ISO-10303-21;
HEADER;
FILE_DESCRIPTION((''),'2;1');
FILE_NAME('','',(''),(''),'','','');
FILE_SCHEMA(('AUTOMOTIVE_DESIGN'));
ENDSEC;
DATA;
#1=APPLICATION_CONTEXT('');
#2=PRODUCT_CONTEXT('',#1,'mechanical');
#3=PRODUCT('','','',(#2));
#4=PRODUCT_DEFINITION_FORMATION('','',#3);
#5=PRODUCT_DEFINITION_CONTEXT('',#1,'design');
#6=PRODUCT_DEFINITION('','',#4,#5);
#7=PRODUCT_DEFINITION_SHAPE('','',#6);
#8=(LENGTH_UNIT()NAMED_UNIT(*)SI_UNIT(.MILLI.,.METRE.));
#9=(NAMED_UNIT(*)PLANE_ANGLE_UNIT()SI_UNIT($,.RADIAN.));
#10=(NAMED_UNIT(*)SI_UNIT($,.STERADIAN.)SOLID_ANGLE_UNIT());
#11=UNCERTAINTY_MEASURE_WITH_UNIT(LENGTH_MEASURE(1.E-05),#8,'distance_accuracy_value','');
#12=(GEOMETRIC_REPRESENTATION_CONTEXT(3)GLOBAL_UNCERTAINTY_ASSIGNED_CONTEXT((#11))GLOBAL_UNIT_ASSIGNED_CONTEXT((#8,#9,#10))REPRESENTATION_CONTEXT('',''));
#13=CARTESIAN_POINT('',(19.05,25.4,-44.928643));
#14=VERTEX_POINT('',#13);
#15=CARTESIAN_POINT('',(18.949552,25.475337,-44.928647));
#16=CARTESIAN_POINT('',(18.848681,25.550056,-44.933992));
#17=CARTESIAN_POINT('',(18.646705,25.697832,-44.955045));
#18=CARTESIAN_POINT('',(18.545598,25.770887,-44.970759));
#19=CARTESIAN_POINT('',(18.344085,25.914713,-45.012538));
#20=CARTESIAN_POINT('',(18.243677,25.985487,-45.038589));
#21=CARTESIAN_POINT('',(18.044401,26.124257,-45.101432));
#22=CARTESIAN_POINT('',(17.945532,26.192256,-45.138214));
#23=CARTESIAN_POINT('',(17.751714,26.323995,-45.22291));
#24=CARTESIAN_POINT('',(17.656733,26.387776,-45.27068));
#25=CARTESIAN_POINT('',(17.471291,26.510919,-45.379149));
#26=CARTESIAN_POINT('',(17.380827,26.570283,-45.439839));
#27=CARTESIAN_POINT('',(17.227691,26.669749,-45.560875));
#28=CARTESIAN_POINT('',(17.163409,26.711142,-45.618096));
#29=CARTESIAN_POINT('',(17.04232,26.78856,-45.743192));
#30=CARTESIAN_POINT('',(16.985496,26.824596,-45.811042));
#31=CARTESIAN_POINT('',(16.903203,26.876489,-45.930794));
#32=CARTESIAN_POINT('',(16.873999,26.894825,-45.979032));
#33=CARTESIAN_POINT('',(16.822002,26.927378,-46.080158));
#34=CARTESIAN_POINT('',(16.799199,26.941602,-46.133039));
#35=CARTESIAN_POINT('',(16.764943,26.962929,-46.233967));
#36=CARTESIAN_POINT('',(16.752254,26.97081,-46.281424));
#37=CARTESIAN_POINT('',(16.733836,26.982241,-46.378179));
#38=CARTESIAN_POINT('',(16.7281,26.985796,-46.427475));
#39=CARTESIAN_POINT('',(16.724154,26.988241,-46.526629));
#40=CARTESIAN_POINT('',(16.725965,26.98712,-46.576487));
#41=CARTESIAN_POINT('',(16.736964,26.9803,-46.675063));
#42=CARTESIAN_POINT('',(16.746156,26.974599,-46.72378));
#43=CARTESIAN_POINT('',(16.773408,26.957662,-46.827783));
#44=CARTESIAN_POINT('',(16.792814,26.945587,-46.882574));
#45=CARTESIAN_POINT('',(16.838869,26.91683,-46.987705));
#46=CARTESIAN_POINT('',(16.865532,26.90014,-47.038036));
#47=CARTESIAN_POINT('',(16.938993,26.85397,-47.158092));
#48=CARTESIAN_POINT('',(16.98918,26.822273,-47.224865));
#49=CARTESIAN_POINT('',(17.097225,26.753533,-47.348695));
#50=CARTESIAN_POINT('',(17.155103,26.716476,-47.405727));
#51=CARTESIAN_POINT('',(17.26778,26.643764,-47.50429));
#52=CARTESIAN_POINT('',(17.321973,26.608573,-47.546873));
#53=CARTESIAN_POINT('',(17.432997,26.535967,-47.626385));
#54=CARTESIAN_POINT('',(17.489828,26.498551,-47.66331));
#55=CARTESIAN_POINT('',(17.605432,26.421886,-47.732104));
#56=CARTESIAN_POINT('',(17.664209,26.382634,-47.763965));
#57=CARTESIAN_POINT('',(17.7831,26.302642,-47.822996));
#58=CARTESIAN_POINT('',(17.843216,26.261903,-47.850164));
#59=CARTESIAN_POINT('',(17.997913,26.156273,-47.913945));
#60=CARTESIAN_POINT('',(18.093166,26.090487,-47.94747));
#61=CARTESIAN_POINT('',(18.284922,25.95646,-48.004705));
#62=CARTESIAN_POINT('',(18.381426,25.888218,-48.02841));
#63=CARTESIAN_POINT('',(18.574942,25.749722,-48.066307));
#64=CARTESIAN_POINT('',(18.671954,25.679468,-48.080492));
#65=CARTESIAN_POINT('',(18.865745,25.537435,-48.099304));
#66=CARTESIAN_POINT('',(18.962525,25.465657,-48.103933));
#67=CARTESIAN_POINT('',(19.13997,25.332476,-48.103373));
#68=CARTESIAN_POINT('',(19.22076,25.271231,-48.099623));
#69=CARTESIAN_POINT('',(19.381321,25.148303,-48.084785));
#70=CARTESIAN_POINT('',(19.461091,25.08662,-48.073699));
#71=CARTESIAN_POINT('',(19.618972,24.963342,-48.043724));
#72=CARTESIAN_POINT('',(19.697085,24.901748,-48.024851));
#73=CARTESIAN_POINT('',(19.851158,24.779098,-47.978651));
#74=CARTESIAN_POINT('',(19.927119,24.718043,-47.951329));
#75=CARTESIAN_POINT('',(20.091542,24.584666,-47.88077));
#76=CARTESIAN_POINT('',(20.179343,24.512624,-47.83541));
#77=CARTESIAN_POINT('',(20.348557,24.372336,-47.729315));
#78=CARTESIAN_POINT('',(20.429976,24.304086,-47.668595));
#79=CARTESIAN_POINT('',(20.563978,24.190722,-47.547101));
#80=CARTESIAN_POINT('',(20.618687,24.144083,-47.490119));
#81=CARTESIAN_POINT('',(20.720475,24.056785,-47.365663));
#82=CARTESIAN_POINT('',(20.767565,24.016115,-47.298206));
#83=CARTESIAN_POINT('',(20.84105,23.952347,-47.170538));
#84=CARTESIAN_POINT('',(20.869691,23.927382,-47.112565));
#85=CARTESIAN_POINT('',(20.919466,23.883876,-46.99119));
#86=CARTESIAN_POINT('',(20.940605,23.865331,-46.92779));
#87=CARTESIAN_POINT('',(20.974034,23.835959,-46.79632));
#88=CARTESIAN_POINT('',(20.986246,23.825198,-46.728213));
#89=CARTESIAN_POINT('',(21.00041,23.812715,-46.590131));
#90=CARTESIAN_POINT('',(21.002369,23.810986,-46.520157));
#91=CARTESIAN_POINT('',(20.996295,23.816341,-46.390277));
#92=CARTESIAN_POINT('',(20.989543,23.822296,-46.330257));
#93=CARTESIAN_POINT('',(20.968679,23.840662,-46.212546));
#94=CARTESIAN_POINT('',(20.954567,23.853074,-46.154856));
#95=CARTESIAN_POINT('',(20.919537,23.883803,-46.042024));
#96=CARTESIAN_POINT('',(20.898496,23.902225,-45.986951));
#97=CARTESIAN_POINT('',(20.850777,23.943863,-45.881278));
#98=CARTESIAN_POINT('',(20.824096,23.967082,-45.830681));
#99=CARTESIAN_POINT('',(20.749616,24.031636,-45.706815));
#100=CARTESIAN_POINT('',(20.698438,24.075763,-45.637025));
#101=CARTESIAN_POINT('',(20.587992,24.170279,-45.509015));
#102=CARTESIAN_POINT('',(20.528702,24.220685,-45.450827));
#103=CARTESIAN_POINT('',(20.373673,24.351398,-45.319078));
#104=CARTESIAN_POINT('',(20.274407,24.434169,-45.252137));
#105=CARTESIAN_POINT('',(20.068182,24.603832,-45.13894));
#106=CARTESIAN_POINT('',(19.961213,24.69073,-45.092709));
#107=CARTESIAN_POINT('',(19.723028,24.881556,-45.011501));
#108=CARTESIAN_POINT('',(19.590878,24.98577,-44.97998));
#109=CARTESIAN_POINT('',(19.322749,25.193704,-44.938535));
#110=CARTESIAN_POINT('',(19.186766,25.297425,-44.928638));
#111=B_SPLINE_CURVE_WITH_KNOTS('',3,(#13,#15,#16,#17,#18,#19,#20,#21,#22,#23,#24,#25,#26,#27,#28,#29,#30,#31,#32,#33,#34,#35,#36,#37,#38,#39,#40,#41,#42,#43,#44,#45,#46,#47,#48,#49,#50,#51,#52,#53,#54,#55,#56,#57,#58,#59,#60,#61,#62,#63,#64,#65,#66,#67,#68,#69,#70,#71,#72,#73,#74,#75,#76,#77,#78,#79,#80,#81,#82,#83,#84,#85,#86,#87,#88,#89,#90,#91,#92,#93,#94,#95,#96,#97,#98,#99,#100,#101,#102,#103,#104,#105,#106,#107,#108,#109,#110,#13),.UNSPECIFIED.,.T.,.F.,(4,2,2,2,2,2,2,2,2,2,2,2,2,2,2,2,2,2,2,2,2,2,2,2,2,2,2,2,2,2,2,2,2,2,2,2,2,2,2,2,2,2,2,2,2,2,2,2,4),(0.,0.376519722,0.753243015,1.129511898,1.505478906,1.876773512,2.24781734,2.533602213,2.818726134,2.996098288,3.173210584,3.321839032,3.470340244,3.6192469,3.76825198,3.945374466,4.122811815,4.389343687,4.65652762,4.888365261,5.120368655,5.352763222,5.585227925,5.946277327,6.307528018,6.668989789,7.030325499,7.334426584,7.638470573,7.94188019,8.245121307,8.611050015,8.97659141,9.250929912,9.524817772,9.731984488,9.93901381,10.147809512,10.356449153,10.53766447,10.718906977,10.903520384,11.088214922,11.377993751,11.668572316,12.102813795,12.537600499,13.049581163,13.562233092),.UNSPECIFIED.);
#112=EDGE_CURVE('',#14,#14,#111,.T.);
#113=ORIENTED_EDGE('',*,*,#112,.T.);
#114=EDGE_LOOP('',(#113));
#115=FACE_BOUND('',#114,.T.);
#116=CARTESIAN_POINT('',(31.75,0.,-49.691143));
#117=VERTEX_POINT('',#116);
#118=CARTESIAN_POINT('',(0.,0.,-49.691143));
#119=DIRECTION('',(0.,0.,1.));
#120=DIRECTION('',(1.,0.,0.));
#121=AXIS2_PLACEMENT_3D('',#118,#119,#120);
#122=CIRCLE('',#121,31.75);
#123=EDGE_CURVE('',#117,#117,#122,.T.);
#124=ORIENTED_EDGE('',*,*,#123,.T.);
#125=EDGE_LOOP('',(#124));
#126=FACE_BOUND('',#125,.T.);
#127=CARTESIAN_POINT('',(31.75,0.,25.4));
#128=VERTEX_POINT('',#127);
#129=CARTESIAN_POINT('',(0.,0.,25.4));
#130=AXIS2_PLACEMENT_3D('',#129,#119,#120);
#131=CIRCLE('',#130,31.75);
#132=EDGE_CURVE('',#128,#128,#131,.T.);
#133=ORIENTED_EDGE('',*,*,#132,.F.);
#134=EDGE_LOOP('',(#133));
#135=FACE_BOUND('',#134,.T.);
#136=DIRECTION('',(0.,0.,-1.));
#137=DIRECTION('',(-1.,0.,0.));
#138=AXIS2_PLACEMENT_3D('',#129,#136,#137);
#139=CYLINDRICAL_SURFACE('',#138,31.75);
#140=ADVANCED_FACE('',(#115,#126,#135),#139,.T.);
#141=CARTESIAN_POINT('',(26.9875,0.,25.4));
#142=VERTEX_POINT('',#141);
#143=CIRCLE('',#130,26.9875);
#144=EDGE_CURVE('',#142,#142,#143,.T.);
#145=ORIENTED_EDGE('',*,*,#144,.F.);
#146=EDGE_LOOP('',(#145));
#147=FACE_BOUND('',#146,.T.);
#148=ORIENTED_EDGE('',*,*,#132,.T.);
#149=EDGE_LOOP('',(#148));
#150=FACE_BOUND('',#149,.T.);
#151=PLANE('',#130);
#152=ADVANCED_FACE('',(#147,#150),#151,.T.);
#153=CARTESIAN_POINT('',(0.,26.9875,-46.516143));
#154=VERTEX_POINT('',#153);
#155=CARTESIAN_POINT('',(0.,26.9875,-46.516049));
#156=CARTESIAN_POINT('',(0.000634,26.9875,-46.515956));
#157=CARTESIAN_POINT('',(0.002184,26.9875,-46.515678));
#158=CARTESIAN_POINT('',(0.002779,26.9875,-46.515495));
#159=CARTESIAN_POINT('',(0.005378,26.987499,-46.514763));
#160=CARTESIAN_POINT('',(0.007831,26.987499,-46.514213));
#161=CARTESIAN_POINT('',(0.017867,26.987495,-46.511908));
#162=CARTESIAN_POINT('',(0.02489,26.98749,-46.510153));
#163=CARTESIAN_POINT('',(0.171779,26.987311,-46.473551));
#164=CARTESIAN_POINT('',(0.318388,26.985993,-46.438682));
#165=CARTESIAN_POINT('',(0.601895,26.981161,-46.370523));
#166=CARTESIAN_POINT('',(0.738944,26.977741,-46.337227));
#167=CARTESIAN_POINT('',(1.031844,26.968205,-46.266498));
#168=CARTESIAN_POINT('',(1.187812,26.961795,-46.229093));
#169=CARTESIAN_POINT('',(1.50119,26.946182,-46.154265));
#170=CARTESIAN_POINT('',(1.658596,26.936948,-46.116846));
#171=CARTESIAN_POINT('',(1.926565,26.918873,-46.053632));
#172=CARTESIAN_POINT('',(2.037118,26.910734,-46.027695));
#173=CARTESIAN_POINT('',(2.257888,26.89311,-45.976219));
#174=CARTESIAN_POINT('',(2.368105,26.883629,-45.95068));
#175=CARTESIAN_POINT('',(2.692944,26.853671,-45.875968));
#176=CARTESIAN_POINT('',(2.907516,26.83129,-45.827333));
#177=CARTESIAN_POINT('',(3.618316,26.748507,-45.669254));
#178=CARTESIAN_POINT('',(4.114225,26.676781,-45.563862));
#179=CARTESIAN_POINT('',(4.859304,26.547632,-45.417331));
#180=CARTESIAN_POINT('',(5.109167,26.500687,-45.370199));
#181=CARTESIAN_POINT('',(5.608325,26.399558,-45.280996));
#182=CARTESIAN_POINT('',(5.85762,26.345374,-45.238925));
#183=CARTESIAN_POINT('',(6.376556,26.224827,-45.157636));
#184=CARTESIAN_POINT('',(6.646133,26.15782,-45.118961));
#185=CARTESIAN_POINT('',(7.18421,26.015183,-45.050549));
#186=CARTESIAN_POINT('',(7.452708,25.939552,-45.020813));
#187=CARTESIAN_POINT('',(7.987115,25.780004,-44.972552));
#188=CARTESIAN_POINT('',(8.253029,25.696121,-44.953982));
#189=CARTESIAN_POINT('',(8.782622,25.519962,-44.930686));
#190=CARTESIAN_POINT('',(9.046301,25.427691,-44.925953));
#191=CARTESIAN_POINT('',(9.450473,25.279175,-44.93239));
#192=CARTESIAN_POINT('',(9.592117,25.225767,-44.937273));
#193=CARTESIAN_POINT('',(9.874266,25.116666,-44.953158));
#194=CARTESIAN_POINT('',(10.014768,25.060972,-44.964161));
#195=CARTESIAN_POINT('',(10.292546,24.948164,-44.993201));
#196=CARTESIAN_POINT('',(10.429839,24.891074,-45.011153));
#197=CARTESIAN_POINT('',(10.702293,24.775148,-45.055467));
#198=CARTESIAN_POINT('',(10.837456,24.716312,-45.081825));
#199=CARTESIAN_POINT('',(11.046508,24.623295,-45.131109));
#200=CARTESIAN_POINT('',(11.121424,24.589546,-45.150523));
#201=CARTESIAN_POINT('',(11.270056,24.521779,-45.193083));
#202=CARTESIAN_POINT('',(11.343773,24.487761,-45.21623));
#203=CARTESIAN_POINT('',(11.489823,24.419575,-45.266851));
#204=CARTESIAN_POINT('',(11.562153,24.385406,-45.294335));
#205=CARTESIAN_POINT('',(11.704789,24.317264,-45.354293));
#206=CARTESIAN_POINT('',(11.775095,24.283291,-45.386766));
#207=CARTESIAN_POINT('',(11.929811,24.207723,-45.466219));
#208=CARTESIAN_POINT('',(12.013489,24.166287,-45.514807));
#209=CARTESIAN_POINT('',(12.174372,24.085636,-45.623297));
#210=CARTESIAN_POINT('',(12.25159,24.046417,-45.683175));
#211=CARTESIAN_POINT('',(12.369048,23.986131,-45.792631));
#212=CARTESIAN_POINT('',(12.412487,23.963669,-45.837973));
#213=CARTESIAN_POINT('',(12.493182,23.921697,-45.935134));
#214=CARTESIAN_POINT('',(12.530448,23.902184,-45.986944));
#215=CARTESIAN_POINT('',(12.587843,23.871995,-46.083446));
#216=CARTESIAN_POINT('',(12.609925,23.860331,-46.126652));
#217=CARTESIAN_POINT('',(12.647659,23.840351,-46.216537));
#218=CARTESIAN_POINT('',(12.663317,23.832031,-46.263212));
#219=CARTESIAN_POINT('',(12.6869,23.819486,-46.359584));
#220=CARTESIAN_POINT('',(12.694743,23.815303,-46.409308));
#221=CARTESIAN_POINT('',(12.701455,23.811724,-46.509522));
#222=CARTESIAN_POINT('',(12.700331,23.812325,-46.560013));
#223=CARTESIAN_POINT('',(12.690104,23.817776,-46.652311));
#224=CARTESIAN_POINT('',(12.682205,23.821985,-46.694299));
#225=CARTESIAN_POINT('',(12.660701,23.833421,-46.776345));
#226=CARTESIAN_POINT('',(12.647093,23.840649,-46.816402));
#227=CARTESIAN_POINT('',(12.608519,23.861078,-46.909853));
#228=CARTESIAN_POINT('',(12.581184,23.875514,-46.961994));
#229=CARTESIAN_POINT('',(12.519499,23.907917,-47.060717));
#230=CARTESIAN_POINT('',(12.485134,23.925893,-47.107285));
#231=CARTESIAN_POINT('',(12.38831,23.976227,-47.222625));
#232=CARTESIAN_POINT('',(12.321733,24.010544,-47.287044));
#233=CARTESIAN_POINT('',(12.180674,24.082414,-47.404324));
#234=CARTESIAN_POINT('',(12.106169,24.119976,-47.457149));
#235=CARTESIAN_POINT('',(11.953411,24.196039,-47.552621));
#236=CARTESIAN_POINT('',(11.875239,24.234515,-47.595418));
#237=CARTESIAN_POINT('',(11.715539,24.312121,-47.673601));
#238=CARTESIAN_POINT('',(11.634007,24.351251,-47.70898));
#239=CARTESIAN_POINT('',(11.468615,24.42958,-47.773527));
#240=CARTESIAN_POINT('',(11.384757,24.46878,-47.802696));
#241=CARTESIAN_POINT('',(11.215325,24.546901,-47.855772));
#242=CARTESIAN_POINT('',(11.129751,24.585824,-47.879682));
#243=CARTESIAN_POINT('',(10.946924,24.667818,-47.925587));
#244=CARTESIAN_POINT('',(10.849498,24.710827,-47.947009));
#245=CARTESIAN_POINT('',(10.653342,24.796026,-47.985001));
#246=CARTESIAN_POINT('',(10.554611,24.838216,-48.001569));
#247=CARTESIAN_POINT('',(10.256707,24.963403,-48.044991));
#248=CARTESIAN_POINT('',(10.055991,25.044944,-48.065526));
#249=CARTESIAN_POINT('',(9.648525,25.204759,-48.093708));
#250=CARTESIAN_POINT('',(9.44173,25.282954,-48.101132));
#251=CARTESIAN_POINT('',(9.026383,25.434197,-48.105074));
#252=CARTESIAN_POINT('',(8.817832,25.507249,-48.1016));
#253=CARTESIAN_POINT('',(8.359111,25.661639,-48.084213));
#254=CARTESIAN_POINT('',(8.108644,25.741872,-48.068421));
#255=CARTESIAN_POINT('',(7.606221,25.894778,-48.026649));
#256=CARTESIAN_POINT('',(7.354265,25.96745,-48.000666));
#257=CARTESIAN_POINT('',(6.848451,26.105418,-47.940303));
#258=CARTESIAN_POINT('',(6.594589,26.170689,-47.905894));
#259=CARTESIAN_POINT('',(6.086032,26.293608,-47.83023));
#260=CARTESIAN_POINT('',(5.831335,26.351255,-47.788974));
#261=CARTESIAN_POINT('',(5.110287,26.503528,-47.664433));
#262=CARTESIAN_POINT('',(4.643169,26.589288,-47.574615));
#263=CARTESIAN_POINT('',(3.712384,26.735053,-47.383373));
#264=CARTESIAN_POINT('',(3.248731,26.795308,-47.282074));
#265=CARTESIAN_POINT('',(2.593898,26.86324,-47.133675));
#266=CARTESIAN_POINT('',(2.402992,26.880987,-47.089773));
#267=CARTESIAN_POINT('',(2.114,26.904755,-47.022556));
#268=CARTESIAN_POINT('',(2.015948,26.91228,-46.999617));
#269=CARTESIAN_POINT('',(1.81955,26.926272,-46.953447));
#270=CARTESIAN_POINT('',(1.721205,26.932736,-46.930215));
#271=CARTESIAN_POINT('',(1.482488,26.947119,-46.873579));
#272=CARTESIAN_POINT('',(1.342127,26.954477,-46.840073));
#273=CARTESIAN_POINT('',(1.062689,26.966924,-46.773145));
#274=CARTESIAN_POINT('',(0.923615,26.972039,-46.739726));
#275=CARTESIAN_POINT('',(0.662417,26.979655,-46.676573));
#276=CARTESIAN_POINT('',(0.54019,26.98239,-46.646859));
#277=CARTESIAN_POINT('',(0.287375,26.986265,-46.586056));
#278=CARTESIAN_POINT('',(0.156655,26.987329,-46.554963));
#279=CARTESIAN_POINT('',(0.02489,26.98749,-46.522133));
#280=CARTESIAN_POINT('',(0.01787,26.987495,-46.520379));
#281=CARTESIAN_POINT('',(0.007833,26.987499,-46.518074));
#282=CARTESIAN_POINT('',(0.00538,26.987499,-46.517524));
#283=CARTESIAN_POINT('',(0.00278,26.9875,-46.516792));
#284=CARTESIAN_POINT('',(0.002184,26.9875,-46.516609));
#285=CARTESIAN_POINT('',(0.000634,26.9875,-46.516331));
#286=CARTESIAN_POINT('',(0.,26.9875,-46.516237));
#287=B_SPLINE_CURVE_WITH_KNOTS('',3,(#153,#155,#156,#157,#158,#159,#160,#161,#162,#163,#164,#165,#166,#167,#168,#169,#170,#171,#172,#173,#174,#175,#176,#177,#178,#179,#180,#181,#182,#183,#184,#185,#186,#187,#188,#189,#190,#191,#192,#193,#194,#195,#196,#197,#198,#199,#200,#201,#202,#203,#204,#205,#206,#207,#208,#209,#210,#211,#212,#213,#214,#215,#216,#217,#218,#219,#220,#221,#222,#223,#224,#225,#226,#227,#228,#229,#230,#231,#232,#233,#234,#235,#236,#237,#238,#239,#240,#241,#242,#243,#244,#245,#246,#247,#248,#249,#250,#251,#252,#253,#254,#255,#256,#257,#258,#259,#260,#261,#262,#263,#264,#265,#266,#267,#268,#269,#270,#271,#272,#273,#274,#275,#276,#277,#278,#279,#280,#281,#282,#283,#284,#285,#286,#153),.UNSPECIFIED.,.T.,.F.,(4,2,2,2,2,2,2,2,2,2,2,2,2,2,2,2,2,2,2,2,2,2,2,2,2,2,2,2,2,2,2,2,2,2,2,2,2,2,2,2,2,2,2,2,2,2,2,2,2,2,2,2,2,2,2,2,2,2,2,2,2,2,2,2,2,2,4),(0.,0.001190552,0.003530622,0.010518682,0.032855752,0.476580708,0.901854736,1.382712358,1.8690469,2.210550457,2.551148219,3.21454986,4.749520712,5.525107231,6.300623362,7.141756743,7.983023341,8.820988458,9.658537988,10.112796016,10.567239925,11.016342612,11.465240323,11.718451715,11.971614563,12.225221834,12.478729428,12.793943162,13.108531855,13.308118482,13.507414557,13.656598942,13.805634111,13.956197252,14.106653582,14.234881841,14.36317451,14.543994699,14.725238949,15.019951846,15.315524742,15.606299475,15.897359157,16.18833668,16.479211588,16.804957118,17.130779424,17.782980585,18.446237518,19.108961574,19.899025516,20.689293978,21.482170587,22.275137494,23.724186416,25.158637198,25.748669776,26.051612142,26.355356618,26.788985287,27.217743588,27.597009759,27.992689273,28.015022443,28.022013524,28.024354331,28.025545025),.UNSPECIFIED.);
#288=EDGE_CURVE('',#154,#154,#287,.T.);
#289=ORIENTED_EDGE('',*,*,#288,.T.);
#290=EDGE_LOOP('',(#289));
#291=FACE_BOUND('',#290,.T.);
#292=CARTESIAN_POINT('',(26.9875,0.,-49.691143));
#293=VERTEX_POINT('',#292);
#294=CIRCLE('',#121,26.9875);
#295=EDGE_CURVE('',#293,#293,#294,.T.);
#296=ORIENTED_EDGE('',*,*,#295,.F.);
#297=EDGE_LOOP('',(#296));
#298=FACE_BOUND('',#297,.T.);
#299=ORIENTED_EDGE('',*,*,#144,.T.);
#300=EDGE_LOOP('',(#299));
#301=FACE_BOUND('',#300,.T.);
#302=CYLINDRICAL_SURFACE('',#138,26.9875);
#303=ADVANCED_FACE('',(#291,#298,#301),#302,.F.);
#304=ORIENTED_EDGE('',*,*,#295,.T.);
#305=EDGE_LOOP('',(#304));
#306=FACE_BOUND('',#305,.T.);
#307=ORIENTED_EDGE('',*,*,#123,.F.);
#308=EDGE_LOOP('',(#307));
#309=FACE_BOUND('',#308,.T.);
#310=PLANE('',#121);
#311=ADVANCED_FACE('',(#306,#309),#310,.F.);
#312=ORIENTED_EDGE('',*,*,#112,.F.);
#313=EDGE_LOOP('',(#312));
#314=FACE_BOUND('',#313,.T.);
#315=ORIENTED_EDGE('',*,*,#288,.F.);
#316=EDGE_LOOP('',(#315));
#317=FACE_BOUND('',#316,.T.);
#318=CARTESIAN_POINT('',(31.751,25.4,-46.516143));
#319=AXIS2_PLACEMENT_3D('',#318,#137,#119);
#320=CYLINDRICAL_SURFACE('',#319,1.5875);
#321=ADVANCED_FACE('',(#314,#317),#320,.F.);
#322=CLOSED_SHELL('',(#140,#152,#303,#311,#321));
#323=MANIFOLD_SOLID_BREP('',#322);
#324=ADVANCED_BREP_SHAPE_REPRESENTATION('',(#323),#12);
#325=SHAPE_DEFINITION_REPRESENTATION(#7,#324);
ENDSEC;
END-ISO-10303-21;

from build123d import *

# Parameters (mm, degrees)
BOSS_EXTRUDE2_DEPTH      = 25.4
BOSS_EXTRUDE2_DEPTH_BACK = 49.691143
SKETCH1_R                = 31.75
SKETCH1_R_2              = 26.9875
CUT_EXTRUDE5_REACH       = 68.973
CUT_EXTRUDE5_END_RADIUS  = 31.75
SKETCH2_R                = 1.5875


with BuildPart() as part:
    # Sketch1 → Boss-Extrude2 (new, two sides: drawn at the far end of the back side and taken through both)
    with BuildSketch(Plane.XY.offset(-BOSS_EXTRUDE2_DEPTH_BACK)):
        Circle(SKETCH1_R)
        Circle(SKETCH1_R_2, mode=Mode.SUBTRACT)
    extrude(amount=BOSS_EXTRUDE2_DEPTH + BOSS_EXTRUDE2_DEPTH_BACK)

    # Cut-Extrude5: up to this cylinder (the profile starts inside it)
    cut_extrude5_end = Plane(origin=(0, 0, -46.516143), z_dir=(0, 0, -1)) * Cylinder(CUT_EXTRUDE5_END_RADIUS, 202.446, mode=Mode.PRIVATE)
    # Sketch2 → Cut-Extrude5 (cut, up to the surface)
    with BuildSketch(Plane(origin=(0, 0, 0), x_dir=(0, 0, -1), z_dir=(1, 0, 0)), mode=Mode.PRIVATE) as cut_extrude5_sk1:
        with Locations(Location((46.516143219, 25.4, 0), (0, 0, 180))):
            Circle(SKETCH2_R)
    cut_extrude5_tool1 = extrude(cut_extrude5_sk1.sketch, amount=CUT_EXTRUDE5_REACH, mode=Mode.PRIVATE) & cut_extrude5_end
    add(cut_extrude5_tool1.solids().sort_by_distance((0, 25.4, -46.516143))[0], mode=Mode.SUBTRACT)


solid = part.part
